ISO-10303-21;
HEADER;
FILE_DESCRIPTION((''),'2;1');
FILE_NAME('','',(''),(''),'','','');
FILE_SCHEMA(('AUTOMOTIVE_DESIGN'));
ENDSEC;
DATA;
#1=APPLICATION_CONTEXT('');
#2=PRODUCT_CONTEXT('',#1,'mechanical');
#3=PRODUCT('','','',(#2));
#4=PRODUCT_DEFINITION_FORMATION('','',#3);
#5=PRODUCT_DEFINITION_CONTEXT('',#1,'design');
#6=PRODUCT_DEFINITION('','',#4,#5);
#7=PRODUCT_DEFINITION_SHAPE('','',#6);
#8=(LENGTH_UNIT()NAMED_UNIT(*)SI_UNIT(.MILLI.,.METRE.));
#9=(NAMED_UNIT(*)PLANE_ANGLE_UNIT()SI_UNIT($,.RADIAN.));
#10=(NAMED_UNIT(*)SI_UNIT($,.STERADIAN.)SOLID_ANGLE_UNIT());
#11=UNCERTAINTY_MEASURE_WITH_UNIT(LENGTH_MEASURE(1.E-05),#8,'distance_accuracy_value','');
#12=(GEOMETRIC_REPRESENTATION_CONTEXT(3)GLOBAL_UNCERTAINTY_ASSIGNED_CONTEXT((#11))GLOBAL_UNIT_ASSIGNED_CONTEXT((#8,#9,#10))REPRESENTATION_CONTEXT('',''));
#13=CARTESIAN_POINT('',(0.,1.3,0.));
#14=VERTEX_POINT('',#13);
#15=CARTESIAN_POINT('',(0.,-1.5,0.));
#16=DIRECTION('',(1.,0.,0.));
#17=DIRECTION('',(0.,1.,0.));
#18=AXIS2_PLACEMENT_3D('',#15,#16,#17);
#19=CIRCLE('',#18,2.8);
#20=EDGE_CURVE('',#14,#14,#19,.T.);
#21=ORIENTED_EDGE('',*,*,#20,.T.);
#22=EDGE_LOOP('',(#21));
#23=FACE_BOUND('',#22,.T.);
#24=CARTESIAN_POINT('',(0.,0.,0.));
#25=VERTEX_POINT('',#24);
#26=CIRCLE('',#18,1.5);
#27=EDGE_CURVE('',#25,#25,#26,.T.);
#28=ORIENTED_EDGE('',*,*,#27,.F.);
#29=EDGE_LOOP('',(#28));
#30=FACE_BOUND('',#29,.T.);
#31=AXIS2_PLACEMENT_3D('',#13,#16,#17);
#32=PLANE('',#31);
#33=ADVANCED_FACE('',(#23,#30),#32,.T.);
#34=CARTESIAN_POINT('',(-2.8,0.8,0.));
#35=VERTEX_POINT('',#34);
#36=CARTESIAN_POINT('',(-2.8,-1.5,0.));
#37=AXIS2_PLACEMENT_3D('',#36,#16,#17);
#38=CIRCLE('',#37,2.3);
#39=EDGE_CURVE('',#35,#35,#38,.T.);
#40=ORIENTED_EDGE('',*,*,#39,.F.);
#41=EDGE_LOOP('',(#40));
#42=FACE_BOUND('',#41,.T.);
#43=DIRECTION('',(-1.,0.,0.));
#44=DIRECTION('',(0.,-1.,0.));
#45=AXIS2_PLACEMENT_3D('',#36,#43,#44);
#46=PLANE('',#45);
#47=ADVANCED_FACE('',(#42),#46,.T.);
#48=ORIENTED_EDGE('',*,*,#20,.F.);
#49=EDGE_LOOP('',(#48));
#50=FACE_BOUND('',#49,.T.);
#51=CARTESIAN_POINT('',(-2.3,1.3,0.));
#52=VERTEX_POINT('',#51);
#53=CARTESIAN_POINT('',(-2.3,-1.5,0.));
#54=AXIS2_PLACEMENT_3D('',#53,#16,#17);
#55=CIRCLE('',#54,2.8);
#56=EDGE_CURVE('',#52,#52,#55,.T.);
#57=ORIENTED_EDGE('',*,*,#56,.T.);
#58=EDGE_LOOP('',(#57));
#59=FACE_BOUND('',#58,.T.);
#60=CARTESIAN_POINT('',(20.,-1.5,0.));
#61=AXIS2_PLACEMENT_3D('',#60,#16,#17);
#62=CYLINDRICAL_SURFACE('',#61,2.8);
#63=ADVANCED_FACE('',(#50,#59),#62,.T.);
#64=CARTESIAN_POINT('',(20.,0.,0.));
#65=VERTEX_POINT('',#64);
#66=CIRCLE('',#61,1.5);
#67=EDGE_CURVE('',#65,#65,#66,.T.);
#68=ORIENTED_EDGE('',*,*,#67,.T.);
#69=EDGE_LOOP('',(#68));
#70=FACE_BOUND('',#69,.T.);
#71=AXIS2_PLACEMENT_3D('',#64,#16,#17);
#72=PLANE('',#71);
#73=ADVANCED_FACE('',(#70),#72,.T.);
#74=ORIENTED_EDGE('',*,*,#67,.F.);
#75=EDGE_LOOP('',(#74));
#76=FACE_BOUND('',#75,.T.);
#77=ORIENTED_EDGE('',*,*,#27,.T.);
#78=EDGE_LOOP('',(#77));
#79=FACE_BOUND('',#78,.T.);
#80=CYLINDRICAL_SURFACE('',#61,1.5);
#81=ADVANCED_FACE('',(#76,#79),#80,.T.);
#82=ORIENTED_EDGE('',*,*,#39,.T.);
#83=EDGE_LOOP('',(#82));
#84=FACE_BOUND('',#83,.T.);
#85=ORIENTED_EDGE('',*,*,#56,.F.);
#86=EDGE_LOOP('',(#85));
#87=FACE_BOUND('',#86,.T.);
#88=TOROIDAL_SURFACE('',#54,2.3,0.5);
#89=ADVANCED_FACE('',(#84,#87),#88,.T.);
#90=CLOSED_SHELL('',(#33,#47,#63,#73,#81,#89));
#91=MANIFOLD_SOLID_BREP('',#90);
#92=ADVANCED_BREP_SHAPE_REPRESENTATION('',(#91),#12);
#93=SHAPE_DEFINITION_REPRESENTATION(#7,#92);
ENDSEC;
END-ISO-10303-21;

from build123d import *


with BuildPart() as part:
    # Sketch1 → Revolve1 (revolve)
    with BuildSketch(Plane.XY):
        with BuildLine():
            Line((0, 0), (20, 0))
            Line((20, 0), (20, -1.5))
            Line((20, -1.5), (-2.8, -1.5))
            Line((-2.8, -1.5), (-2.8, 0.8))
            ThreePointArc((-2.8, 0.8), (-2.653553391, 1.153553391), (-2.3, 1.3))
            Line((-2.3, 1.3), (0, 1.3))
            Line((0, 1.3), (0, 0))
        make_face()
    revolve(axis=Axis((20, -1.5, 0), (-1, 0, 0)))


solid = part.part
